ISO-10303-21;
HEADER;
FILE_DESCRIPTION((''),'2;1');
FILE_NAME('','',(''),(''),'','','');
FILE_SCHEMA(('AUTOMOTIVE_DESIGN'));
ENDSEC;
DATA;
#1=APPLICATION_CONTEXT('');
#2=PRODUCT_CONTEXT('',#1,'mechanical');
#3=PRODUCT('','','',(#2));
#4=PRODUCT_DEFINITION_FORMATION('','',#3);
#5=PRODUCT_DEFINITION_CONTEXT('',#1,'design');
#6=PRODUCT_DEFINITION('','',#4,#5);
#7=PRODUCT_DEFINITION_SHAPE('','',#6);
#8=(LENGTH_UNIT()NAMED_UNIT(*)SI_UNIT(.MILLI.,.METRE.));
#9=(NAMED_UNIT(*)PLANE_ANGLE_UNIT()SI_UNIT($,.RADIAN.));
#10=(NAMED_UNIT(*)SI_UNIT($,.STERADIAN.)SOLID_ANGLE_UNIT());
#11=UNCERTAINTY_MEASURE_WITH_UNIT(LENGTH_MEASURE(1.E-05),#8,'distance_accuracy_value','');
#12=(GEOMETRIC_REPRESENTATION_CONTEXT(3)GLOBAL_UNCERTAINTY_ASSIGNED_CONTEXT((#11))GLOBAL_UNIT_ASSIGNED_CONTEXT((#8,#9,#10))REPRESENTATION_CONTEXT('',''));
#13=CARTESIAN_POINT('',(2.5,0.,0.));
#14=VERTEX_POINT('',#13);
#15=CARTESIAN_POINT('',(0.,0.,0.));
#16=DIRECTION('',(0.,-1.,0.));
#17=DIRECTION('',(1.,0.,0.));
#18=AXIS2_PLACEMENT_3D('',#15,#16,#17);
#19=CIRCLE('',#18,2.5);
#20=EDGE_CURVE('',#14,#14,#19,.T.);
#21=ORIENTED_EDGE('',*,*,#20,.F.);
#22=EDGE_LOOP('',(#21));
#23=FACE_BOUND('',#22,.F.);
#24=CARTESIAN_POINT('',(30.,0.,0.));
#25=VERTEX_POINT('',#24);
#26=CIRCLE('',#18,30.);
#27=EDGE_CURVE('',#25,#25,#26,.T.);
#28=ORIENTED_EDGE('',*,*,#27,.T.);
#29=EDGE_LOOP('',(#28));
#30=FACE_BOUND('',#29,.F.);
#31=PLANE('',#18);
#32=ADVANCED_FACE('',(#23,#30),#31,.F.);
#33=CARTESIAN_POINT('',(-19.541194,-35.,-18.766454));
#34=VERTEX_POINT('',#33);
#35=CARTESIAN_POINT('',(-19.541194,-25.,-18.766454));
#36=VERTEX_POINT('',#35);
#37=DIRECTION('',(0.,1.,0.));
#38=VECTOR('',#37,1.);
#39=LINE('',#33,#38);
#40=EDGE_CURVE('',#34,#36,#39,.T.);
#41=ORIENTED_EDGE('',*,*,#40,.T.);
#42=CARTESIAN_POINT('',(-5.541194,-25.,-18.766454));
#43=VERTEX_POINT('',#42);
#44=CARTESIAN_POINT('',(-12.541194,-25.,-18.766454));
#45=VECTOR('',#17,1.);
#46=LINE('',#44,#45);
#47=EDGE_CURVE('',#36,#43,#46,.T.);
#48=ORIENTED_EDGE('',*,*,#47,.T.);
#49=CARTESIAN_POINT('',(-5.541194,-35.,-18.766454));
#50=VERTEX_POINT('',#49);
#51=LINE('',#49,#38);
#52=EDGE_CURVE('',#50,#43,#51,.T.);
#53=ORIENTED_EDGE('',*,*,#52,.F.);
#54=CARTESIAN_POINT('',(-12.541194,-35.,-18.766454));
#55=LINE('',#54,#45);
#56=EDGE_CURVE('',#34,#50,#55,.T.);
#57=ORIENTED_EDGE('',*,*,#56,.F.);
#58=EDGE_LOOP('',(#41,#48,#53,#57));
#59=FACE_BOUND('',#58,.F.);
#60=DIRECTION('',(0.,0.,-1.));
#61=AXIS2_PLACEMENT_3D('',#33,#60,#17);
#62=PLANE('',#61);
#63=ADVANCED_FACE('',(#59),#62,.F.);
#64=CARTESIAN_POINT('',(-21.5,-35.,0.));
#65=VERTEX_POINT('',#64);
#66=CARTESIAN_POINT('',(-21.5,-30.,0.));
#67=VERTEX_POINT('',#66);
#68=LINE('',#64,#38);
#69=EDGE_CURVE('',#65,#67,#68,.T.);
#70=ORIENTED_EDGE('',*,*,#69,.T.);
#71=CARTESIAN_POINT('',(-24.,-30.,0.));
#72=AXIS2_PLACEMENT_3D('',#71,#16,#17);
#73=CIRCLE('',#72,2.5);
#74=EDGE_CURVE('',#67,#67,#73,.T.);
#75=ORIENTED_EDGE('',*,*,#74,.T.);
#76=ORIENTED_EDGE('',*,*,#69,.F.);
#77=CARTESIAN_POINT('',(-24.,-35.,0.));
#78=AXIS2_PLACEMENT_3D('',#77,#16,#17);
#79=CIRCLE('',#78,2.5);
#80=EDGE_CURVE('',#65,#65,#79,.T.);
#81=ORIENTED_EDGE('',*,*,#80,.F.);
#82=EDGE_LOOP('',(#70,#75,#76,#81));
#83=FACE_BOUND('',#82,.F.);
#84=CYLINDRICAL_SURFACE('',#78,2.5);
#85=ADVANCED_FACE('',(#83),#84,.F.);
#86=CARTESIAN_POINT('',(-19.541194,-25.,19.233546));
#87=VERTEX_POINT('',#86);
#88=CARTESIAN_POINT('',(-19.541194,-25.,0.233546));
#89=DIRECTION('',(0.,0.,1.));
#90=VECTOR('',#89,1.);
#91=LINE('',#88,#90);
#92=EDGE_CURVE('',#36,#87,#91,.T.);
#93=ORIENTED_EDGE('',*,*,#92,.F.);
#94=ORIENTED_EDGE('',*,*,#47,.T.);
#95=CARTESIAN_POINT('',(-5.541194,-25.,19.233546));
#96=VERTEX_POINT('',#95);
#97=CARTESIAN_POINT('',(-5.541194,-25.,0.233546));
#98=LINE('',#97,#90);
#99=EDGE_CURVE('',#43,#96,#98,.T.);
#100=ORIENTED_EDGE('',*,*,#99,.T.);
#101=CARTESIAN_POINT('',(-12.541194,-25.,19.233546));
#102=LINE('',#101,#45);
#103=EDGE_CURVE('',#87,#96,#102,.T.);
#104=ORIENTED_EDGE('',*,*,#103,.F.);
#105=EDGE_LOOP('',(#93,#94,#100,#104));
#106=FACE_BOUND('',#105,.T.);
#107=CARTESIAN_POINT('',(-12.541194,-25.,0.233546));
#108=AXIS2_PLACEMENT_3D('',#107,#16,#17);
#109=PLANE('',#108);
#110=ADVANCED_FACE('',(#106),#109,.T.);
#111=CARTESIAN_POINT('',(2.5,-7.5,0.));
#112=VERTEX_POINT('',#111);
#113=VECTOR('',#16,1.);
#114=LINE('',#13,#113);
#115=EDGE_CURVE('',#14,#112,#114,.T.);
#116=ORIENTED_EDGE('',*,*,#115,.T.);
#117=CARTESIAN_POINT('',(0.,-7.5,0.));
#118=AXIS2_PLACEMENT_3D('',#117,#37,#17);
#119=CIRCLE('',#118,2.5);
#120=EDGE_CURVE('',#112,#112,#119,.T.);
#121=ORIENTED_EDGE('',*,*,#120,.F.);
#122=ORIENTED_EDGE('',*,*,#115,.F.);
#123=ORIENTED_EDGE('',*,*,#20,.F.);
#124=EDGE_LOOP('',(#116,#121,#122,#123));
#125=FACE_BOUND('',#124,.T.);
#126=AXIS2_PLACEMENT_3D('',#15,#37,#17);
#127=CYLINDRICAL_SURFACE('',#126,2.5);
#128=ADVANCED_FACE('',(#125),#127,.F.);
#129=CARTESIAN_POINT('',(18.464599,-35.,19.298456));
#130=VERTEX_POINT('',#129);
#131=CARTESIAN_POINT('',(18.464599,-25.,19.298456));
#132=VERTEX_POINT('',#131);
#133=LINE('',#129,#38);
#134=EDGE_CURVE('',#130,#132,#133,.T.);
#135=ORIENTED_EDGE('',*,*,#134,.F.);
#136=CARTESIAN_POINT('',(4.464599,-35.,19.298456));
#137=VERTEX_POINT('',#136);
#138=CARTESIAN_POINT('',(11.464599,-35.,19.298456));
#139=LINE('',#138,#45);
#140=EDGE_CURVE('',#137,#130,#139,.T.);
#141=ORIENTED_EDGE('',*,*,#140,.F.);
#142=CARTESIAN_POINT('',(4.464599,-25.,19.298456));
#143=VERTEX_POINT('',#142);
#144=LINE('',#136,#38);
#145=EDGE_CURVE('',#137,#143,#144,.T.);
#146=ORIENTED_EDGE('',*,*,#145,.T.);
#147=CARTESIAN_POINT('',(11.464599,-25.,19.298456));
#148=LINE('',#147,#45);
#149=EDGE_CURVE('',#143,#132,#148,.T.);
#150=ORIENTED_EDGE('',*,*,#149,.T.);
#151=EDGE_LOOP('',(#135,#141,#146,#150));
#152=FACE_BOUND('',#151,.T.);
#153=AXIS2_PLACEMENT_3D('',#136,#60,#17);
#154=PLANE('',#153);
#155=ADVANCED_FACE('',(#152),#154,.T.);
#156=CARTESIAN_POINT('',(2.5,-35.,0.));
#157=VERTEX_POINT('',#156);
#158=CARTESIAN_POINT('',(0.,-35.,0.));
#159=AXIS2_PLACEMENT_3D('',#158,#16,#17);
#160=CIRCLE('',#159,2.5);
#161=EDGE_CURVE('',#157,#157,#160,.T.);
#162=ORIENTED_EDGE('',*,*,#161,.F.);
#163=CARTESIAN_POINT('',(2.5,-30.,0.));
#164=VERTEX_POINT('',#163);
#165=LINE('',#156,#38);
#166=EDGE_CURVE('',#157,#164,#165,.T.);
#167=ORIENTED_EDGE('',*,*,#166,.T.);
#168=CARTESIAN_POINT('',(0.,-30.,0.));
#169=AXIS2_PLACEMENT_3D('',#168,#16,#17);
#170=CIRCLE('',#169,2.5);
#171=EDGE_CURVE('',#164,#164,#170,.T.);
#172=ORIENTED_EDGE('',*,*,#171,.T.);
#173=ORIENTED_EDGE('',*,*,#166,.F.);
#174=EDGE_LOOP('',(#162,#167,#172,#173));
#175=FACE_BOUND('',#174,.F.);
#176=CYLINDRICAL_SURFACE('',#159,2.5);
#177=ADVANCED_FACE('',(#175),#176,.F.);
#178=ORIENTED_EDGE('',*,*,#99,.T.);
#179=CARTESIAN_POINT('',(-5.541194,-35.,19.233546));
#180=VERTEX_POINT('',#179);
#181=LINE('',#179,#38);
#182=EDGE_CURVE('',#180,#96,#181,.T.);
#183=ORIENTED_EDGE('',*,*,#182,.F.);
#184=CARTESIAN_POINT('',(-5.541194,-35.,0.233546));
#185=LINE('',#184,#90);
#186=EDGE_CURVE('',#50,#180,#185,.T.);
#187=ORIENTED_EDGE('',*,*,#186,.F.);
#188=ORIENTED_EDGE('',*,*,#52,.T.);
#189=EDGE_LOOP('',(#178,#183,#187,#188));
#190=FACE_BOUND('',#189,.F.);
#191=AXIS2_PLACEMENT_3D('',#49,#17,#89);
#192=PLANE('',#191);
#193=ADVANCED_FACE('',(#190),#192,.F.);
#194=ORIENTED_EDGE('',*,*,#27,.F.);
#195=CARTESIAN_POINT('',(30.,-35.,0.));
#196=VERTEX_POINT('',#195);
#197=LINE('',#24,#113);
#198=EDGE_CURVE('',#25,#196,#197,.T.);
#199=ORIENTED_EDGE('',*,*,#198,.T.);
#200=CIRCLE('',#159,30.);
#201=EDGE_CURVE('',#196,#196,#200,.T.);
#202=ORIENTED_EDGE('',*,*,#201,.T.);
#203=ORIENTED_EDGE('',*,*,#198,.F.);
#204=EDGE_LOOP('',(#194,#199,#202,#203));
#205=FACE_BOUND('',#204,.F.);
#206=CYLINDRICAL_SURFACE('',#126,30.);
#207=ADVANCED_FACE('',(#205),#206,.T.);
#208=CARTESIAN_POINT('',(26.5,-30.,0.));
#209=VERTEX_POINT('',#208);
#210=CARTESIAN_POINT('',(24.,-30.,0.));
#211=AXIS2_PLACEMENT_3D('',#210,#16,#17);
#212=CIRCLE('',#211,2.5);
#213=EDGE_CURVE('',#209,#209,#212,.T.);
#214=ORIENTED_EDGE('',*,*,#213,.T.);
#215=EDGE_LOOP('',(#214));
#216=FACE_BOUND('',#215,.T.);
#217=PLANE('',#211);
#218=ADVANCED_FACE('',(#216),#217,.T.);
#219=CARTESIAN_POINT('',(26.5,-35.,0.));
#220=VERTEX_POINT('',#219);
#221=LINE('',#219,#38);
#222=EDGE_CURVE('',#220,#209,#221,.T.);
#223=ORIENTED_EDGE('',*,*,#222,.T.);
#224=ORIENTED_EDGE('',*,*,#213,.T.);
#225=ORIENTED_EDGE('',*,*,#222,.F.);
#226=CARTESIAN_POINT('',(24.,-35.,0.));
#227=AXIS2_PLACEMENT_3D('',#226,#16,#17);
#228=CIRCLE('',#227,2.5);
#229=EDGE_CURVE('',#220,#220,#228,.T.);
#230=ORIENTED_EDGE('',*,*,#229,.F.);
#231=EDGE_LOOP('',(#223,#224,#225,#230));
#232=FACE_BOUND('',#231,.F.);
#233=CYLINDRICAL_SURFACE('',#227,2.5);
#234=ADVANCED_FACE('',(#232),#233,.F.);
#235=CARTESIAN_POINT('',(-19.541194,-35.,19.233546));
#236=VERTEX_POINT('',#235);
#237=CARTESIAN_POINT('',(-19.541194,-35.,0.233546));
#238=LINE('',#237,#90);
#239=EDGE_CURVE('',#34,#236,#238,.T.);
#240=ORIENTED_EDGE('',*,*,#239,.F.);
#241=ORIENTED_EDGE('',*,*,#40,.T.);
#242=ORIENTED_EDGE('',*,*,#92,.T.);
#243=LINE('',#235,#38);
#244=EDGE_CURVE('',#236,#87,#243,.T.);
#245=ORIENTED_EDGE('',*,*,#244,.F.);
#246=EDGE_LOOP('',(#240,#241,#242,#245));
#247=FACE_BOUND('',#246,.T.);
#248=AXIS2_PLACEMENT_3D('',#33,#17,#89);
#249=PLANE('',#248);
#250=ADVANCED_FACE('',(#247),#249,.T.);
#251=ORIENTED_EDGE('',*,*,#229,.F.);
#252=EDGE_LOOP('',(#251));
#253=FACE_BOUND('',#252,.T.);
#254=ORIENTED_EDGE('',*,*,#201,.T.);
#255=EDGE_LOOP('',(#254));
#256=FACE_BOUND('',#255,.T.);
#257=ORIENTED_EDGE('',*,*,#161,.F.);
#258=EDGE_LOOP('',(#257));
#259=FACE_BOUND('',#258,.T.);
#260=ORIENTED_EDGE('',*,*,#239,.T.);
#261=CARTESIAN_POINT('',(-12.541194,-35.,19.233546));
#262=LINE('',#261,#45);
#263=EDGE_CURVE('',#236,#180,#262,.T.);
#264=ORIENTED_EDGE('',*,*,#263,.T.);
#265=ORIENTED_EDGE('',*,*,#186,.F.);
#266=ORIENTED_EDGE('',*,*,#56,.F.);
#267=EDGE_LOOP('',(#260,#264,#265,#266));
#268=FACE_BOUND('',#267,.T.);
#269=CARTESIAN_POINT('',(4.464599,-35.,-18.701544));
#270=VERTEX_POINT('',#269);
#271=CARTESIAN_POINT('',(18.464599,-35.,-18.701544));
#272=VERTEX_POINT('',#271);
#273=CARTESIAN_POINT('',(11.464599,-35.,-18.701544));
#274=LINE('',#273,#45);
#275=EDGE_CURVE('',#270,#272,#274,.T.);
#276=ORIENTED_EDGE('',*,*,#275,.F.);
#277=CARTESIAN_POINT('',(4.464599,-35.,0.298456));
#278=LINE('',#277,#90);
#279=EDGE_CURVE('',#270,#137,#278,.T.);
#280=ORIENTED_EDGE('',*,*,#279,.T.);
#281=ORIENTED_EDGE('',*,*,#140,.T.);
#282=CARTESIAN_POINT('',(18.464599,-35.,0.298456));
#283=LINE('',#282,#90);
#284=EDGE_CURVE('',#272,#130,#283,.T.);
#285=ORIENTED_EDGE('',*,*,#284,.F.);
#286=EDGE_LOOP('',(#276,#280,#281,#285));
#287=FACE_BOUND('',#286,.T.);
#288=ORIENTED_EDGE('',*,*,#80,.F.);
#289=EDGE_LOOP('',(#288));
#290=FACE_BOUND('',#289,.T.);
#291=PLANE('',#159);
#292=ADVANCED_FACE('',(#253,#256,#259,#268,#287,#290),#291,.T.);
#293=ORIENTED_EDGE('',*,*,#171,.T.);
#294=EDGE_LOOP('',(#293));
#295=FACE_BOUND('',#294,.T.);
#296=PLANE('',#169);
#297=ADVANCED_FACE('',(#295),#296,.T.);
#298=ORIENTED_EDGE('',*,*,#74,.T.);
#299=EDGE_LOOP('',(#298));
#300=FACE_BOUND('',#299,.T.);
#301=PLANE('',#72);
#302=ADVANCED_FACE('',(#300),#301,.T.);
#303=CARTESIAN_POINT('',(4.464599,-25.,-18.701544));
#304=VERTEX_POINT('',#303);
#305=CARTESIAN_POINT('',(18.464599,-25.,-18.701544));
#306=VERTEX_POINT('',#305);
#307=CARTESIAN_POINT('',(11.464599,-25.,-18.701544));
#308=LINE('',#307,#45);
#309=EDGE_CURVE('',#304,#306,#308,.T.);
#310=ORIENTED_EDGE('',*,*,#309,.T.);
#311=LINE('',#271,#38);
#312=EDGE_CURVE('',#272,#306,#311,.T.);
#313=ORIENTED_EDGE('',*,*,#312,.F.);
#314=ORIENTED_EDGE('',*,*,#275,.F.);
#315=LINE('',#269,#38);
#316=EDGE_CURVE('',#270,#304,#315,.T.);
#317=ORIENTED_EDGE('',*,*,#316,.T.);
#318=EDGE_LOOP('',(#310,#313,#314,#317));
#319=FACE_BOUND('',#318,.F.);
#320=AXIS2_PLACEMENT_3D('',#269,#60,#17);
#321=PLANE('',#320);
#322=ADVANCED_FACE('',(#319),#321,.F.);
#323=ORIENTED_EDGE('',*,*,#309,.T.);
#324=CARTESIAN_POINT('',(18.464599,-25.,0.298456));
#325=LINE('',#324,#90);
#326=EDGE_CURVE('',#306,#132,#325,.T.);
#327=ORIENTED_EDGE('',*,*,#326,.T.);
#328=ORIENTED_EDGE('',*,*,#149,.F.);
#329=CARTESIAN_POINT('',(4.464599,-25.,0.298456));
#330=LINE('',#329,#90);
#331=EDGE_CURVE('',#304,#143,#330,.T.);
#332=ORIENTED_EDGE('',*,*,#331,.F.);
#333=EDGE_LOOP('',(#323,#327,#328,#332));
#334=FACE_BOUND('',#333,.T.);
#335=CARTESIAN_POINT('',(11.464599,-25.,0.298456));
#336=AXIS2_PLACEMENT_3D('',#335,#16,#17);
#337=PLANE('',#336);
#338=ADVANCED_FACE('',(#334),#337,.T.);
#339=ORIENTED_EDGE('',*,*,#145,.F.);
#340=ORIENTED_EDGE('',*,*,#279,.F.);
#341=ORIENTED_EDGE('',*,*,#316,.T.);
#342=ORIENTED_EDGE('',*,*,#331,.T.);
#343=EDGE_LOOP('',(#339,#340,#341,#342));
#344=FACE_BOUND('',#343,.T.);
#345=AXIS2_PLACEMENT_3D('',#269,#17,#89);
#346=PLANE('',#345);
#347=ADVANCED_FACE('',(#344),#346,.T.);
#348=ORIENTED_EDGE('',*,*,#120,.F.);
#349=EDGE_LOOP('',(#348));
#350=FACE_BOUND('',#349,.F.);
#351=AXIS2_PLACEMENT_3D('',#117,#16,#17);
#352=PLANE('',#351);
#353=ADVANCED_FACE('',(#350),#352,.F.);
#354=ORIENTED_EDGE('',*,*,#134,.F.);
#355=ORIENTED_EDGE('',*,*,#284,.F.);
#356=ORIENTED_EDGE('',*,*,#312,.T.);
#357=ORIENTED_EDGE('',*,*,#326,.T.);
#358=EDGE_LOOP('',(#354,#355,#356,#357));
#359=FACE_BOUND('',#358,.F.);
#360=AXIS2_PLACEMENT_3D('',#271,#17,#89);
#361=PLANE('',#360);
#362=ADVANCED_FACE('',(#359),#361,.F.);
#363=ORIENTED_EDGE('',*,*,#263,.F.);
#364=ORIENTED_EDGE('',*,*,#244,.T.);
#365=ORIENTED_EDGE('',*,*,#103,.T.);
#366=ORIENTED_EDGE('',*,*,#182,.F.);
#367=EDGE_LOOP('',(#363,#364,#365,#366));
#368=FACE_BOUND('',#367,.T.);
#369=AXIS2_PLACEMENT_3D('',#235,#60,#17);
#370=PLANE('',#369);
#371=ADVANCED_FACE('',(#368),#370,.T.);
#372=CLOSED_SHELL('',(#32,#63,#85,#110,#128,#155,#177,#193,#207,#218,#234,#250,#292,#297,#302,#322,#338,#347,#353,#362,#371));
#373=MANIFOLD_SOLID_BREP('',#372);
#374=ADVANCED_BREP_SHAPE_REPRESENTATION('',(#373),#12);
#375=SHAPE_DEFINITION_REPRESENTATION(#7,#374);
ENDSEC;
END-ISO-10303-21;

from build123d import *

# Parameters (mm, degrees)
F0_R     = 30
F1_DEPTH = 35
F3_T     = -27.5
F4_W     = 14
F4_H     = 38
F5_DEPTH = 10
F6_R     = 2.5
F7_DEPTH = 5


with BuildPart() as f1:
    # F0 (on Front) → F1 (new body)
    with BuildSketch(Plane.XZ):
        Circle(F0_R)
    extrude(amount=F1_DEPTH)

    # F3
    f3_openings = [f1.faces().sort_by_distance(p)[0] for p in [
        (0, 0, 0),
    ]]
    offset(amount=F3_T, openings=f3_openings)

    # F4 (on face) → F5 (cut)
    with BuildSketch(Plane.XZ.offset(35)):
        with Locations((-12.541194, 0.233546)):
            Rectangle(F4_W, F4_H)
        with Locations((11.464599, 0.298456)):
            Rectangle(F4_W, F4_H)
    extrude(amount=-F5_DEPTH, mode=Mode.SUBTRACT)

    # F6 (on face) → F7 (cut)
    with BuildSketch(Plane.XZ.offset(35)):
        Circle(F6_R)
        with Locations((-24, 0)):
            Circle(F6_R)
        with Locations((24, 0)):
            Circle(F6_R)
    extrude(amount=-F7_DEPTH, mode=Mode.SUBTRACT)


solid = f1.part
